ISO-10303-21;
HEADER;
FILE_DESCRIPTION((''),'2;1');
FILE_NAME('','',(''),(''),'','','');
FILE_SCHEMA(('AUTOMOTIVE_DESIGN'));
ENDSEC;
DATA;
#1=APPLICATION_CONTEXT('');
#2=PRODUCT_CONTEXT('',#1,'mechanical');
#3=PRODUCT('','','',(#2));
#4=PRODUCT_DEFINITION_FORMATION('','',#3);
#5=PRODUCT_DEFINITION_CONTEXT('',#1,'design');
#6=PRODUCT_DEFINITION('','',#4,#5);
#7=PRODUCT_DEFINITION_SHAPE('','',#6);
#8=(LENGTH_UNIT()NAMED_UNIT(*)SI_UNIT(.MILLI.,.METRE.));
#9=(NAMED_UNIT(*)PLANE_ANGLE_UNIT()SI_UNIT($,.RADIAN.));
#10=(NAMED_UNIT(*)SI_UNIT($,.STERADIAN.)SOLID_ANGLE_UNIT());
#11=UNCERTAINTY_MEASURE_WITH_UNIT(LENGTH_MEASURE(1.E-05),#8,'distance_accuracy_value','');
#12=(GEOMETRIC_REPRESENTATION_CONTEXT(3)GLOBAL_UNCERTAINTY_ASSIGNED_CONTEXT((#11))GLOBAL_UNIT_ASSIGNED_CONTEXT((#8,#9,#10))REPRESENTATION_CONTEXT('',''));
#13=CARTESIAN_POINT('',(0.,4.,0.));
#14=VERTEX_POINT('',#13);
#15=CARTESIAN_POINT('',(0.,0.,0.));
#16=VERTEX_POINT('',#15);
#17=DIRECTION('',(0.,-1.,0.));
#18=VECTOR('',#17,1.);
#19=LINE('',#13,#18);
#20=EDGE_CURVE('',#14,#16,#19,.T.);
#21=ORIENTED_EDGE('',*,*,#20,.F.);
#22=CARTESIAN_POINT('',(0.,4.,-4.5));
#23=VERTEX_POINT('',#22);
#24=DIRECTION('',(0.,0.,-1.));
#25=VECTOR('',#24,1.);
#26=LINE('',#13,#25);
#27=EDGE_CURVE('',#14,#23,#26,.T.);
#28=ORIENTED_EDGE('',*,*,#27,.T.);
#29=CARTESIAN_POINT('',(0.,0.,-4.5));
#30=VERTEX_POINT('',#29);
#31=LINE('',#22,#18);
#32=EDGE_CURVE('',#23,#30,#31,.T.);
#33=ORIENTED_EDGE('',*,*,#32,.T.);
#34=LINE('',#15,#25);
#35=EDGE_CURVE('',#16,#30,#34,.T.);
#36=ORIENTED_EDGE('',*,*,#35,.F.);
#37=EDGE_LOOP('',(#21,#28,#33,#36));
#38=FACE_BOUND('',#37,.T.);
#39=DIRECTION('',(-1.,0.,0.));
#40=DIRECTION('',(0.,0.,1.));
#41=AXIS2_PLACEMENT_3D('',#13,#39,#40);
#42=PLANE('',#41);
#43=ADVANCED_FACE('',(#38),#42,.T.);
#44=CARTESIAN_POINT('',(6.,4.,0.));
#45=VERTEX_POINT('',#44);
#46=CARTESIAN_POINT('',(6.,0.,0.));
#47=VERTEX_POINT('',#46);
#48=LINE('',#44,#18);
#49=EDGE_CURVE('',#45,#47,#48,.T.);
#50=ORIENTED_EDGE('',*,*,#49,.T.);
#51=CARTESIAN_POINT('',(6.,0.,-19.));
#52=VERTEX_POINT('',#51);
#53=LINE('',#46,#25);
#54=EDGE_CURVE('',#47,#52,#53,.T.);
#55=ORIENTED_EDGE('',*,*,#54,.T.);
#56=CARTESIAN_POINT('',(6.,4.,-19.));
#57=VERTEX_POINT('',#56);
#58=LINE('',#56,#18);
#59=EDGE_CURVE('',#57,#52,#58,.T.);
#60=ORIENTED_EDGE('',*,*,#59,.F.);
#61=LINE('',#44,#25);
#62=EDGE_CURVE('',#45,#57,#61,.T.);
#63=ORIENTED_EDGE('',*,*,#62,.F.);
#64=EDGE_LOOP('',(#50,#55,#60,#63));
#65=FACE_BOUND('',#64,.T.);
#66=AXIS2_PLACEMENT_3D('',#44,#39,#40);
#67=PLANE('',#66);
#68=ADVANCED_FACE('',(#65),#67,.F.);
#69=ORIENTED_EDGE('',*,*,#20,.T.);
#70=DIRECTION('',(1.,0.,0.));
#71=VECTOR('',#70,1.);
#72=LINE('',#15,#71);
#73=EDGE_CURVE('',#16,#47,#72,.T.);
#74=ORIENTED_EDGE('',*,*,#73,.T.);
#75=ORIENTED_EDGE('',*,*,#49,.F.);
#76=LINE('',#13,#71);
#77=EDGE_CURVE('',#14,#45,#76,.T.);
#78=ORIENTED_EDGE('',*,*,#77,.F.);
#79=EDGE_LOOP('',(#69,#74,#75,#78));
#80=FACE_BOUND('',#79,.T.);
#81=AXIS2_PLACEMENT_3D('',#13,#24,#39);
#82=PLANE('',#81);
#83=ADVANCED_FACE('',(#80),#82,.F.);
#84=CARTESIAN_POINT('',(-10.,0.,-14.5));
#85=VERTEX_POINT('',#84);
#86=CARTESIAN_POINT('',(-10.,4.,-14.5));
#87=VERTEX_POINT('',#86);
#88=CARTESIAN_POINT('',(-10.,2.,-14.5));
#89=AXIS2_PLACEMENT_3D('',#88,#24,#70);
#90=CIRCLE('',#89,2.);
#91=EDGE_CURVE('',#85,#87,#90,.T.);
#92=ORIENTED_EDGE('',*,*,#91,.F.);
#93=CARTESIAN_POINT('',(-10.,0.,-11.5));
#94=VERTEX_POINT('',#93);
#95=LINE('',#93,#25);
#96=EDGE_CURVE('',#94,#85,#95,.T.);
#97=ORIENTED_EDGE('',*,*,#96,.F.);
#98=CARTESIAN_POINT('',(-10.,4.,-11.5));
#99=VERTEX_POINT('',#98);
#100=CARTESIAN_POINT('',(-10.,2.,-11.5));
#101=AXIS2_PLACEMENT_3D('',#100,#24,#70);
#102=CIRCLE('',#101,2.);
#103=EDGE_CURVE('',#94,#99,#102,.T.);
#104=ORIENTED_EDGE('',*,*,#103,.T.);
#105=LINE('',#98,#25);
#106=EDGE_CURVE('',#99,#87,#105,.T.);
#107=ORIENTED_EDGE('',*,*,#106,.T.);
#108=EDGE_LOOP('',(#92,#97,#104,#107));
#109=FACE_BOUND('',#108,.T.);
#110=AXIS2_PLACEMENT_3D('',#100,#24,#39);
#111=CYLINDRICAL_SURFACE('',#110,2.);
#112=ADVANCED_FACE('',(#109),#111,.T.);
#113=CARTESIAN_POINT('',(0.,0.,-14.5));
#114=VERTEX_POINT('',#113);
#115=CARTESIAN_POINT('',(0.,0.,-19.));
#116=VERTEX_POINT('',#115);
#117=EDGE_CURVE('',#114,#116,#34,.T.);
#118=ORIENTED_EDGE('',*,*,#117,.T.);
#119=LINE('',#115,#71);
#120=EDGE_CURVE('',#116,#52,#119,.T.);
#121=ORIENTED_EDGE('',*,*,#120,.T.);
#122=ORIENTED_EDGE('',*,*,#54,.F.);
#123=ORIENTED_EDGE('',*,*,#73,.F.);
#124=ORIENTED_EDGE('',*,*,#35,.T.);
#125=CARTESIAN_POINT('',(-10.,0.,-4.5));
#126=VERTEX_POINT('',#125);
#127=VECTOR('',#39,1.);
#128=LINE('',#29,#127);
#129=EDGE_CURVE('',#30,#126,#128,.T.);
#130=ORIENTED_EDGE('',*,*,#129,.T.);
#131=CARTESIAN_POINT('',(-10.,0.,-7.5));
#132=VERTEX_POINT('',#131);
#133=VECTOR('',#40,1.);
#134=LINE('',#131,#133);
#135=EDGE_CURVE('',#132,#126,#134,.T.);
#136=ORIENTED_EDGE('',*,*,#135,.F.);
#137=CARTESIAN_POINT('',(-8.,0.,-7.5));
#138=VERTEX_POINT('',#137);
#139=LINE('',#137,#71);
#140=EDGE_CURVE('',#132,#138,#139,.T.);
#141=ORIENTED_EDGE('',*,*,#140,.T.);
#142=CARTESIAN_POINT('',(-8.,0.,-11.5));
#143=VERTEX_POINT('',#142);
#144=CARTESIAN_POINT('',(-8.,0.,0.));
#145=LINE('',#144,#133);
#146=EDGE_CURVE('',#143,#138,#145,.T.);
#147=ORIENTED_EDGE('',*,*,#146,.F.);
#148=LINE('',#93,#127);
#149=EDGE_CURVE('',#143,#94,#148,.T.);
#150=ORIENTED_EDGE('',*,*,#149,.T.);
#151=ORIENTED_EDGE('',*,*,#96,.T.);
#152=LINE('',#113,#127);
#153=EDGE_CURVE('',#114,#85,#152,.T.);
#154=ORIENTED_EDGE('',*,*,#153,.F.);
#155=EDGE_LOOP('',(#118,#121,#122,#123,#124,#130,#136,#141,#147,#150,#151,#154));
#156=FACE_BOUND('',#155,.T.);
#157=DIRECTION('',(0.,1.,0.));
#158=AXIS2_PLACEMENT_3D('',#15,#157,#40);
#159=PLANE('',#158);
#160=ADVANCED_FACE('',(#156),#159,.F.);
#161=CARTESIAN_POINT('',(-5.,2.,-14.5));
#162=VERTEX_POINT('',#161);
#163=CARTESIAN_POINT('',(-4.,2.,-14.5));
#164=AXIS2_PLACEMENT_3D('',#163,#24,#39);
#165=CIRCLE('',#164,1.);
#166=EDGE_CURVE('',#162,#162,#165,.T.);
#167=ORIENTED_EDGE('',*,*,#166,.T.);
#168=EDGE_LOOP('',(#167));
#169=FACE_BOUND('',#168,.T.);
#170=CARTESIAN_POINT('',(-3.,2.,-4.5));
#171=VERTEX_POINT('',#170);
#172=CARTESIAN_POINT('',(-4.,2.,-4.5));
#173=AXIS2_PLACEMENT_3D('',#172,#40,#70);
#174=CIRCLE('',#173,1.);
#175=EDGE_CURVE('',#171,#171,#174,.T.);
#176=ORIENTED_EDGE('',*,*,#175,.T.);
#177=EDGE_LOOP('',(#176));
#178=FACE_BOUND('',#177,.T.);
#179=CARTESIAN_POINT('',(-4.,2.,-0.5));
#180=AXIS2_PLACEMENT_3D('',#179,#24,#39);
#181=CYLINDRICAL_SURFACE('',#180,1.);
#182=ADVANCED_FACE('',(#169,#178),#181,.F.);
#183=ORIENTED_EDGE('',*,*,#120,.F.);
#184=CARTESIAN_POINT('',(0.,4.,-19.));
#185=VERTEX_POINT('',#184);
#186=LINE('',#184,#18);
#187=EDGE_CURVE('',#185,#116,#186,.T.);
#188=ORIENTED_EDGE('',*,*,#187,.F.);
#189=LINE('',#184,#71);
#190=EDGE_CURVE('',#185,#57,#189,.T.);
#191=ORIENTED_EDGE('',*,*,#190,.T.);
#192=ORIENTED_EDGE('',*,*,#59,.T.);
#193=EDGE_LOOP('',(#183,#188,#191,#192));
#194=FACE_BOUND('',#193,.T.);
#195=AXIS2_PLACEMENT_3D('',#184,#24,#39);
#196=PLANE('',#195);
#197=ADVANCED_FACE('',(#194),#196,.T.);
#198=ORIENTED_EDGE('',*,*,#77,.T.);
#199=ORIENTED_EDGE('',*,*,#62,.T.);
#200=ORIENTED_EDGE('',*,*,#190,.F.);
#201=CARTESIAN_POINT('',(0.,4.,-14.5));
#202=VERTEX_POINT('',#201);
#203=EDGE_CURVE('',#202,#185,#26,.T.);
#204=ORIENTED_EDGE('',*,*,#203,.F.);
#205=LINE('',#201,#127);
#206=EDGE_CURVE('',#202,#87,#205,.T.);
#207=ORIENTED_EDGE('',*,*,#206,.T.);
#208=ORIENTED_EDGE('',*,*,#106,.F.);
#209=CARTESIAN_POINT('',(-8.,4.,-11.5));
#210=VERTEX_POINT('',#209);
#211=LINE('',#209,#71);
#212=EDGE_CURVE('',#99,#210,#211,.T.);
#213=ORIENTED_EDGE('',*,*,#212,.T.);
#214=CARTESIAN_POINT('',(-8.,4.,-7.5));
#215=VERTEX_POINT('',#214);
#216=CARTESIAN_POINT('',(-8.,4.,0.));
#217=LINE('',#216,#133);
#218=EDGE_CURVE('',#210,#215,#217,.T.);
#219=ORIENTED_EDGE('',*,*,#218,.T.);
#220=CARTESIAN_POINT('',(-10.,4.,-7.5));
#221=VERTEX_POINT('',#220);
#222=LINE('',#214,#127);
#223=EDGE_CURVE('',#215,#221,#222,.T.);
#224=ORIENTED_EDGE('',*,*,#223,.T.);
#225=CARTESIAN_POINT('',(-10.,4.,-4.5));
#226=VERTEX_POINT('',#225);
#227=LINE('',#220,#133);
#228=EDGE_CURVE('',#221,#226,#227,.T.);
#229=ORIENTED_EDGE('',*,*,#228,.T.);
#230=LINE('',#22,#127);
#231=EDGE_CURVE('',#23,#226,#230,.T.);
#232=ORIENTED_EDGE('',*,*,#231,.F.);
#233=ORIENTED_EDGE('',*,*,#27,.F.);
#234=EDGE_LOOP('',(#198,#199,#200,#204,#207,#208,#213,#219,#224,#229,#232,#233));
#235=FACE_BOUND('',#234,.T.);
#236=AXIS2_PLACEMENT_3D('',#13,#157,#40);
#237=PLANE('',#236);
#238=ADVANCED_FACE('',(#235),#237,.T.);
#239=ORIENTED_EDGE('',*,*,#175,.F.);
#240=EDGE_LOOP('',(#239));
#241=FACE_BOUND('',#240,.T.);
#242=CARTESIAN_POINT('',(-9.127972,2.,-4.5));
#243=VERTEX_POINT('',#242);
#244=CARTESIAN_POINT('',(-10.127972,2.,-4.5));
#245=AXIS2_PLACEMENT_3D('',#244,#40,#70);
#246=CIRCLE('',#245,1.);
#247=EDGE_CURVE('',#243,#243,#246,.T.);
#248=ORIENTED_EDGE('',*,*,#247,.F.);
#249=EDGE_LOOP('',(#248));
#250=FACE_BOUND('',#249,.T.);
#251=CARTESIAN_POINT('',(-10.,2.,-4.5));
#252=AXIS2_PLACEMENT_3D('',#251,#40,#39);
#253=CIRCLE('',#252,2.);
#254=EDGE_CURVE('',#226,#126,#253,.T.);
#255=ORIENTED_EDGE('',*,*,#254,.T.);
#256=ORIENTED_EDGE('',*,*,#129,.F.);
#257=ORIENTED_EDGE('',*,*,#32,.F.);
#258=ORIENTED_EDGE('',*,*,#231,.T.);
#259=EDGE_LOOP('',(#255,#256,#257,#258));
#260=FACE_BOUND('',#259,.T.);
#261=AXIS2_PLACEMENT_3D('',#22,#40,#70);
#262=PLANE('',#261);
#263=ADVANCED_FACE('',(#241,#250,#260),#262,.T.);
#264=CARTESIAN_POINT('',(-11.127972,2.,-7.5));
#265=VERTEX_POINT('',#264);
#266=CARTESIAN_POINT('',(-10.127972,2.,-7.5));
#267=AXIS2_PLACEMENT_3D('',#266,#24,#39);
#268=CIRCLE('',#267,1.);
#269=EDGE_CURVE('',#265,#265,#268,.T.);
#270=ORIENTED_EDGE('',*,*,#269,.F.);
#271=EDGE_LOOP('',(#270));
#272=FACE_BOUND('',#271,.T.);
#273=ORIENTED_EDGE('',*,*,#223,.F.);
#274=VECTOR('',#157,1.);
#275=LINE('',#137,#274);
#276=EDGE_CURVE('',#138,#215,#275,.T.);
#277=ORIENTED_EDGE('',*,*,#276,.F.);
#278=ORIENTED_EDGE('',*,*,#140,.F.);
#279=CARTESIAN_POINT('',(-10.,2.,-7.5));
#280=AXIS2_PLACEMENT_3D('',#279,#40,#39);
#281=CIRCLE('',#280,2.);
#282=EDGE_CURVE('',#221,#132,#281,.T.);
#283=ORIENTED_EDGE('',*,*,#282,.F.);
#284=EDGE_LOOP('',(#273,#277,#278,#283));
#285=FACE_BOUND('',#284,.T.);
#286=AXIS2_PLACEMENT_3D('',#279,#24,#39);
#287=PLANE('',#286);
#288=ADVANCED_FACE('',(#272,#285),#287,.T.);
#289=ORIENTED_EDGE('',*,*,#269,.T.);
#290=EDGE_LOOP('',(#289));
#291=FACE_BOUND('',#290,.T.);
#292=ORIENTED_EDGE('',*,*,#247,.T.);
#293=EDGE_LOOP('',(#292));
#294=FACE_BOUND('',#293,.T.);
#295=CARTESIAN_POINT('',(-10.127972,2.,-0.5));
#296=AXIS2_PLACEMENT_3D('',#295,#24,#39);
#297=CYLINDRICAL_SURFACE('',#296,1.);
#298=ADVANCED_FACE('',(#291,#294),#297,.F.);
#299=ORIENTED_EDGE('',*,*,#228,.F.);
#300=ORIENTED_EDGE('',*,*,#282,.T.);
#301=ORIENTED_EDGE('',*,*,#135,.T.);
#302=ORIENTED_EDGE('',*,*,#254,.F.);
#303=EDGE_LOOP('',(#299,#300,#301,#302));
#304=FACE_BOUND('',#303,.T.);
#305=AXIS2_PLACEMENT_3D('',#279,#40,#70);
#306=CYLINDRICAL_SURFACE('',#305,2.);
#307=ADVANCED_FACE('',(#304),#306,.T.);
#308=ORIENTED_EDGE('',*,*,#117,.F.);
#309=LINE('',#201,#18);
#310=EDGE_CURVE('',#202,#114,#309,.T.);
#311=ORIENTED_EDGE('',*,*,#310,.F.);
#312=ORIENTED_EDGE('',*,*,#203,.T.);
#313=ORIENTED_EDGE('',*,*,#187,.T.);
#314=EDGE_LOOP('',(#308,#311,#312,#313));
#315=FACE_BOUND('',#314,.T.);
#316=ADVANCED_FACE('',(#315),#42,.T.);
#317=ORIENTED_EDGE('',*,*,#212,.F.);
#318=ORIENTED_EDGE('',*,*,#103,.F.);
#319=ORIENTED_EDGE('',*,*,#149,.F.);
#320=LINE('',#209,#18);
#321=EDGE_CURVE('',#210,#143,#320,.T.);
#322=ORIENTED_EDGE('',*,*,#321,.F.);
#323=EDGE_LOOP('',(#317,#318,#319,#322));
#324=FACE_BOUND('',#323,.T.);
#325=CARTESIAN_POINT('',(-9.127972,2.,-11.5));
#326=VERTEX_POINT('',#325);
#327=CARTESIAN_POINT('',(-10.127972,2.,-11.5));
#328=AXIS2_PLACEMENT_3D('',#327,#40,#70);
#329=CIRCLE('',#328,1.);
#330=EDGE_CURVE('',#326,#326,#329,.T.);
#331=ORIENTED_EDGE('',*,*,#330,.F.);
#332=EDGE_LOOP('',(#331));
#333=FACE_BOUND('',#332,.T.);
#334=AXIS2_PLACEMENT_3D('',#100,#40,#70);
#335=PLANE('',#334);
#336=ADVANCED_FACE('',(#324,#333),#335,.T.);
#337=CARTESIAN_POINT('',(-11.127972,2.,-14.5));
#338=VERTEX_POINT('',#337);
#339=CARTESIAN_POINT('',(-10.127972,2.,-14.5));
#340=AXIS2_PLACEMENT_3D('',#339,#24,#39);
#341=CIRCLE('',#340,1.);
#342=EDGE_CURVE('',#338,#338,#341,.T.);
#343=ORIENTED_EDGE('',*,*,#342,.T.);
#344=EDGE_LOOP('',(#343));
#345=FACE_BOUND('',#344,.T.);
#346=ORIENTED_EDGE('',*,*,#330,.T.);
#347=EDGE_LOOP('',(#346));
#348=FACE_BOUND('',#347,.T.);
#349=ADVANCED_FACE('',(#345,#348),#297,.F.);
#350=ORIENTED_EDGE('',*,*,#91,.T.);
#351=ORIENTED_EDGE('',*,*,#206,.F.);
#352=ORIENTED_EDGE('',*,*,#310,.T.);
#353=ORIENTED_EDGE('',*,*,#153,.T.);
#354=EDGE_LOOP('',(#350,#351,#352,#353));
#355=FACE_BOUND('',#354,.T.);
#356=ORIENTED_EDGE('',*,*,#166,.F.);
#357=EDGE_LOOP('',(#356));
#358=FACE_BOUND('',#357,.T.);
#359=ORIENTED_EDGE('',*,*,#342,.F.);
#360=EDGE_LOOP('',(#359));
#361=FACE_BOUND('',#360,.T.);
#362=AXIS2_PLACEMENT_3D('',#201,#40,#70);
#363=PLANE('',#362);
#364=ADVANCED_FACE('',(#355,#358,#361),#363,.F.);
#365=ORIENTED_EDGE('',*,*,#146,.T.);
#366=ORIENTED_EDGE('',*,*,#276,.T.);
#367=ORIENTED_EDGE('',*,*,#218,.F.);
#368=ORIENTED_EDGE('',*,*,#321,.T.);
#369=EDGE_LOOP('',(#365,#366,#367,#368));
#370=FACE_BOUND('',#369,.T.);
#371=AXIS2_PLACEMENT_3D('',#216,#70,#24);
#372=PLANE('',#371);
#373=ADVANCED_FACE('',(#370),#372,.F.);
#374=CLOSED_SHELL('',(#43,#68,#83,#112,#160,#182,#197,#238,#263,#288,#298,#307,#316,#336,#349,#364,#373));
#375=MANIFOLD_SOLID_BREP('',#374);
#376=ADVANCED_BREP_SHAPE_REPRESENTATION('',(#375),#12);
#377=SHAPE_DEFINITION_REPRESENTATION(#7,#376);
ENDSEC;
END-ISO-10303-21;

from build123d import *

# Parameters (mm, degrees)
SKETCH1_W           = 6
SKETCH1_H           = 19
SKETCH1_W_2         = 8
SKETCH1_H_2         = 10
BOSS_EXTRUDE1_DEPTH = 4
BOSS_EXTRUDE2_DEPTH = 3
BOSS_EXTRUDE3_START = -3
BOSS_EXTRUDE3_DEPTH = 3
SKETCH6_R           = 1
CUT_EXTRUDE1_DEPTH  = 14
SKETCH7_R           = 1
CUT_EXTRUDE2_DEPTH  = 14


with BuildPart() as part:
    # Sketch1 → Boss-Extrude1 (new body)
    with BuildSketch(Plane(origin=(0, 0, 0), x_dir=(1, 0, 0), z_dir=(0, 1, 0))):
        with Locations((3, 9.5)):
            Rectangle(SKETCH1_W, SKETCH1_H)
        with Locations((-4, 9.5)):
            Rectangle(SKETCH1_W_2, SKETCH1_H_2)
    extrude(amount=BOSS_EXTRUDE1_DEPTH)

    # Sketch2 → Boss-Extrude2 (add)
    with BuildSketch(Plane.XY.offset(-4.5)):
        with BuildLine():
            Line((-8, 0), (-10, 0))
            ThreePointArc((-10, 0), (-12, 2), (-10, 4))
            Line((-10, 4), (-8, 4))
            Line((-8, 4), (-8, 0))
        make_face()
    extrude(amount=-BOSS_EXTRUDE2_DEPTH)

    # Sketch5 → Boss-Extrude3 (add)
    with BuildSketch(Plane(origin=(0, 0, -14.5), x_dir=(-1, 0, 0), z_dir=(0, 0, -1)).offset(BOSS_EXTRUDE3_START)):
        with BuildLine():
            Line((8, 4), (10, 4))
            ThreePointArc((10, 4), (12, 2), (10, 0))
            Line((10, 0), (8, 0))
            Line((8, 0), (8, 4))
        make_face()
    extrude(amount=BOSS_EXTRUDE3_DEPTH)

    # Sketch6 → Cut-Extrude1 (cut)
    with BuildSketch(Plane(origin=(0, 0, -14.5), x_dir=(-1, 0, 0), z_dir=(0, 0, -1))):
        with Locations((10.127972383, 2)):
            Circle(SKETCH6_R)
    extrude(amount=-CUT_EXTRUDE1_DEPTH, mode=Mode.SUBTRACT)

    # Sketch7 → Cut-Extrude2 (cut)
    with BuildSketch(Plane(origin=(0, 0, -14.5), x_dir=(-1, 0, 0), z_dir=(0, 0, -1))):
        with Locations((4, 2)):
            Circle(SKETCH7_R)
    extrude(amount=-CUT_EXTRUDE2_DEPTH, mode=Mode.SUBTRACT)


solid = part.part
